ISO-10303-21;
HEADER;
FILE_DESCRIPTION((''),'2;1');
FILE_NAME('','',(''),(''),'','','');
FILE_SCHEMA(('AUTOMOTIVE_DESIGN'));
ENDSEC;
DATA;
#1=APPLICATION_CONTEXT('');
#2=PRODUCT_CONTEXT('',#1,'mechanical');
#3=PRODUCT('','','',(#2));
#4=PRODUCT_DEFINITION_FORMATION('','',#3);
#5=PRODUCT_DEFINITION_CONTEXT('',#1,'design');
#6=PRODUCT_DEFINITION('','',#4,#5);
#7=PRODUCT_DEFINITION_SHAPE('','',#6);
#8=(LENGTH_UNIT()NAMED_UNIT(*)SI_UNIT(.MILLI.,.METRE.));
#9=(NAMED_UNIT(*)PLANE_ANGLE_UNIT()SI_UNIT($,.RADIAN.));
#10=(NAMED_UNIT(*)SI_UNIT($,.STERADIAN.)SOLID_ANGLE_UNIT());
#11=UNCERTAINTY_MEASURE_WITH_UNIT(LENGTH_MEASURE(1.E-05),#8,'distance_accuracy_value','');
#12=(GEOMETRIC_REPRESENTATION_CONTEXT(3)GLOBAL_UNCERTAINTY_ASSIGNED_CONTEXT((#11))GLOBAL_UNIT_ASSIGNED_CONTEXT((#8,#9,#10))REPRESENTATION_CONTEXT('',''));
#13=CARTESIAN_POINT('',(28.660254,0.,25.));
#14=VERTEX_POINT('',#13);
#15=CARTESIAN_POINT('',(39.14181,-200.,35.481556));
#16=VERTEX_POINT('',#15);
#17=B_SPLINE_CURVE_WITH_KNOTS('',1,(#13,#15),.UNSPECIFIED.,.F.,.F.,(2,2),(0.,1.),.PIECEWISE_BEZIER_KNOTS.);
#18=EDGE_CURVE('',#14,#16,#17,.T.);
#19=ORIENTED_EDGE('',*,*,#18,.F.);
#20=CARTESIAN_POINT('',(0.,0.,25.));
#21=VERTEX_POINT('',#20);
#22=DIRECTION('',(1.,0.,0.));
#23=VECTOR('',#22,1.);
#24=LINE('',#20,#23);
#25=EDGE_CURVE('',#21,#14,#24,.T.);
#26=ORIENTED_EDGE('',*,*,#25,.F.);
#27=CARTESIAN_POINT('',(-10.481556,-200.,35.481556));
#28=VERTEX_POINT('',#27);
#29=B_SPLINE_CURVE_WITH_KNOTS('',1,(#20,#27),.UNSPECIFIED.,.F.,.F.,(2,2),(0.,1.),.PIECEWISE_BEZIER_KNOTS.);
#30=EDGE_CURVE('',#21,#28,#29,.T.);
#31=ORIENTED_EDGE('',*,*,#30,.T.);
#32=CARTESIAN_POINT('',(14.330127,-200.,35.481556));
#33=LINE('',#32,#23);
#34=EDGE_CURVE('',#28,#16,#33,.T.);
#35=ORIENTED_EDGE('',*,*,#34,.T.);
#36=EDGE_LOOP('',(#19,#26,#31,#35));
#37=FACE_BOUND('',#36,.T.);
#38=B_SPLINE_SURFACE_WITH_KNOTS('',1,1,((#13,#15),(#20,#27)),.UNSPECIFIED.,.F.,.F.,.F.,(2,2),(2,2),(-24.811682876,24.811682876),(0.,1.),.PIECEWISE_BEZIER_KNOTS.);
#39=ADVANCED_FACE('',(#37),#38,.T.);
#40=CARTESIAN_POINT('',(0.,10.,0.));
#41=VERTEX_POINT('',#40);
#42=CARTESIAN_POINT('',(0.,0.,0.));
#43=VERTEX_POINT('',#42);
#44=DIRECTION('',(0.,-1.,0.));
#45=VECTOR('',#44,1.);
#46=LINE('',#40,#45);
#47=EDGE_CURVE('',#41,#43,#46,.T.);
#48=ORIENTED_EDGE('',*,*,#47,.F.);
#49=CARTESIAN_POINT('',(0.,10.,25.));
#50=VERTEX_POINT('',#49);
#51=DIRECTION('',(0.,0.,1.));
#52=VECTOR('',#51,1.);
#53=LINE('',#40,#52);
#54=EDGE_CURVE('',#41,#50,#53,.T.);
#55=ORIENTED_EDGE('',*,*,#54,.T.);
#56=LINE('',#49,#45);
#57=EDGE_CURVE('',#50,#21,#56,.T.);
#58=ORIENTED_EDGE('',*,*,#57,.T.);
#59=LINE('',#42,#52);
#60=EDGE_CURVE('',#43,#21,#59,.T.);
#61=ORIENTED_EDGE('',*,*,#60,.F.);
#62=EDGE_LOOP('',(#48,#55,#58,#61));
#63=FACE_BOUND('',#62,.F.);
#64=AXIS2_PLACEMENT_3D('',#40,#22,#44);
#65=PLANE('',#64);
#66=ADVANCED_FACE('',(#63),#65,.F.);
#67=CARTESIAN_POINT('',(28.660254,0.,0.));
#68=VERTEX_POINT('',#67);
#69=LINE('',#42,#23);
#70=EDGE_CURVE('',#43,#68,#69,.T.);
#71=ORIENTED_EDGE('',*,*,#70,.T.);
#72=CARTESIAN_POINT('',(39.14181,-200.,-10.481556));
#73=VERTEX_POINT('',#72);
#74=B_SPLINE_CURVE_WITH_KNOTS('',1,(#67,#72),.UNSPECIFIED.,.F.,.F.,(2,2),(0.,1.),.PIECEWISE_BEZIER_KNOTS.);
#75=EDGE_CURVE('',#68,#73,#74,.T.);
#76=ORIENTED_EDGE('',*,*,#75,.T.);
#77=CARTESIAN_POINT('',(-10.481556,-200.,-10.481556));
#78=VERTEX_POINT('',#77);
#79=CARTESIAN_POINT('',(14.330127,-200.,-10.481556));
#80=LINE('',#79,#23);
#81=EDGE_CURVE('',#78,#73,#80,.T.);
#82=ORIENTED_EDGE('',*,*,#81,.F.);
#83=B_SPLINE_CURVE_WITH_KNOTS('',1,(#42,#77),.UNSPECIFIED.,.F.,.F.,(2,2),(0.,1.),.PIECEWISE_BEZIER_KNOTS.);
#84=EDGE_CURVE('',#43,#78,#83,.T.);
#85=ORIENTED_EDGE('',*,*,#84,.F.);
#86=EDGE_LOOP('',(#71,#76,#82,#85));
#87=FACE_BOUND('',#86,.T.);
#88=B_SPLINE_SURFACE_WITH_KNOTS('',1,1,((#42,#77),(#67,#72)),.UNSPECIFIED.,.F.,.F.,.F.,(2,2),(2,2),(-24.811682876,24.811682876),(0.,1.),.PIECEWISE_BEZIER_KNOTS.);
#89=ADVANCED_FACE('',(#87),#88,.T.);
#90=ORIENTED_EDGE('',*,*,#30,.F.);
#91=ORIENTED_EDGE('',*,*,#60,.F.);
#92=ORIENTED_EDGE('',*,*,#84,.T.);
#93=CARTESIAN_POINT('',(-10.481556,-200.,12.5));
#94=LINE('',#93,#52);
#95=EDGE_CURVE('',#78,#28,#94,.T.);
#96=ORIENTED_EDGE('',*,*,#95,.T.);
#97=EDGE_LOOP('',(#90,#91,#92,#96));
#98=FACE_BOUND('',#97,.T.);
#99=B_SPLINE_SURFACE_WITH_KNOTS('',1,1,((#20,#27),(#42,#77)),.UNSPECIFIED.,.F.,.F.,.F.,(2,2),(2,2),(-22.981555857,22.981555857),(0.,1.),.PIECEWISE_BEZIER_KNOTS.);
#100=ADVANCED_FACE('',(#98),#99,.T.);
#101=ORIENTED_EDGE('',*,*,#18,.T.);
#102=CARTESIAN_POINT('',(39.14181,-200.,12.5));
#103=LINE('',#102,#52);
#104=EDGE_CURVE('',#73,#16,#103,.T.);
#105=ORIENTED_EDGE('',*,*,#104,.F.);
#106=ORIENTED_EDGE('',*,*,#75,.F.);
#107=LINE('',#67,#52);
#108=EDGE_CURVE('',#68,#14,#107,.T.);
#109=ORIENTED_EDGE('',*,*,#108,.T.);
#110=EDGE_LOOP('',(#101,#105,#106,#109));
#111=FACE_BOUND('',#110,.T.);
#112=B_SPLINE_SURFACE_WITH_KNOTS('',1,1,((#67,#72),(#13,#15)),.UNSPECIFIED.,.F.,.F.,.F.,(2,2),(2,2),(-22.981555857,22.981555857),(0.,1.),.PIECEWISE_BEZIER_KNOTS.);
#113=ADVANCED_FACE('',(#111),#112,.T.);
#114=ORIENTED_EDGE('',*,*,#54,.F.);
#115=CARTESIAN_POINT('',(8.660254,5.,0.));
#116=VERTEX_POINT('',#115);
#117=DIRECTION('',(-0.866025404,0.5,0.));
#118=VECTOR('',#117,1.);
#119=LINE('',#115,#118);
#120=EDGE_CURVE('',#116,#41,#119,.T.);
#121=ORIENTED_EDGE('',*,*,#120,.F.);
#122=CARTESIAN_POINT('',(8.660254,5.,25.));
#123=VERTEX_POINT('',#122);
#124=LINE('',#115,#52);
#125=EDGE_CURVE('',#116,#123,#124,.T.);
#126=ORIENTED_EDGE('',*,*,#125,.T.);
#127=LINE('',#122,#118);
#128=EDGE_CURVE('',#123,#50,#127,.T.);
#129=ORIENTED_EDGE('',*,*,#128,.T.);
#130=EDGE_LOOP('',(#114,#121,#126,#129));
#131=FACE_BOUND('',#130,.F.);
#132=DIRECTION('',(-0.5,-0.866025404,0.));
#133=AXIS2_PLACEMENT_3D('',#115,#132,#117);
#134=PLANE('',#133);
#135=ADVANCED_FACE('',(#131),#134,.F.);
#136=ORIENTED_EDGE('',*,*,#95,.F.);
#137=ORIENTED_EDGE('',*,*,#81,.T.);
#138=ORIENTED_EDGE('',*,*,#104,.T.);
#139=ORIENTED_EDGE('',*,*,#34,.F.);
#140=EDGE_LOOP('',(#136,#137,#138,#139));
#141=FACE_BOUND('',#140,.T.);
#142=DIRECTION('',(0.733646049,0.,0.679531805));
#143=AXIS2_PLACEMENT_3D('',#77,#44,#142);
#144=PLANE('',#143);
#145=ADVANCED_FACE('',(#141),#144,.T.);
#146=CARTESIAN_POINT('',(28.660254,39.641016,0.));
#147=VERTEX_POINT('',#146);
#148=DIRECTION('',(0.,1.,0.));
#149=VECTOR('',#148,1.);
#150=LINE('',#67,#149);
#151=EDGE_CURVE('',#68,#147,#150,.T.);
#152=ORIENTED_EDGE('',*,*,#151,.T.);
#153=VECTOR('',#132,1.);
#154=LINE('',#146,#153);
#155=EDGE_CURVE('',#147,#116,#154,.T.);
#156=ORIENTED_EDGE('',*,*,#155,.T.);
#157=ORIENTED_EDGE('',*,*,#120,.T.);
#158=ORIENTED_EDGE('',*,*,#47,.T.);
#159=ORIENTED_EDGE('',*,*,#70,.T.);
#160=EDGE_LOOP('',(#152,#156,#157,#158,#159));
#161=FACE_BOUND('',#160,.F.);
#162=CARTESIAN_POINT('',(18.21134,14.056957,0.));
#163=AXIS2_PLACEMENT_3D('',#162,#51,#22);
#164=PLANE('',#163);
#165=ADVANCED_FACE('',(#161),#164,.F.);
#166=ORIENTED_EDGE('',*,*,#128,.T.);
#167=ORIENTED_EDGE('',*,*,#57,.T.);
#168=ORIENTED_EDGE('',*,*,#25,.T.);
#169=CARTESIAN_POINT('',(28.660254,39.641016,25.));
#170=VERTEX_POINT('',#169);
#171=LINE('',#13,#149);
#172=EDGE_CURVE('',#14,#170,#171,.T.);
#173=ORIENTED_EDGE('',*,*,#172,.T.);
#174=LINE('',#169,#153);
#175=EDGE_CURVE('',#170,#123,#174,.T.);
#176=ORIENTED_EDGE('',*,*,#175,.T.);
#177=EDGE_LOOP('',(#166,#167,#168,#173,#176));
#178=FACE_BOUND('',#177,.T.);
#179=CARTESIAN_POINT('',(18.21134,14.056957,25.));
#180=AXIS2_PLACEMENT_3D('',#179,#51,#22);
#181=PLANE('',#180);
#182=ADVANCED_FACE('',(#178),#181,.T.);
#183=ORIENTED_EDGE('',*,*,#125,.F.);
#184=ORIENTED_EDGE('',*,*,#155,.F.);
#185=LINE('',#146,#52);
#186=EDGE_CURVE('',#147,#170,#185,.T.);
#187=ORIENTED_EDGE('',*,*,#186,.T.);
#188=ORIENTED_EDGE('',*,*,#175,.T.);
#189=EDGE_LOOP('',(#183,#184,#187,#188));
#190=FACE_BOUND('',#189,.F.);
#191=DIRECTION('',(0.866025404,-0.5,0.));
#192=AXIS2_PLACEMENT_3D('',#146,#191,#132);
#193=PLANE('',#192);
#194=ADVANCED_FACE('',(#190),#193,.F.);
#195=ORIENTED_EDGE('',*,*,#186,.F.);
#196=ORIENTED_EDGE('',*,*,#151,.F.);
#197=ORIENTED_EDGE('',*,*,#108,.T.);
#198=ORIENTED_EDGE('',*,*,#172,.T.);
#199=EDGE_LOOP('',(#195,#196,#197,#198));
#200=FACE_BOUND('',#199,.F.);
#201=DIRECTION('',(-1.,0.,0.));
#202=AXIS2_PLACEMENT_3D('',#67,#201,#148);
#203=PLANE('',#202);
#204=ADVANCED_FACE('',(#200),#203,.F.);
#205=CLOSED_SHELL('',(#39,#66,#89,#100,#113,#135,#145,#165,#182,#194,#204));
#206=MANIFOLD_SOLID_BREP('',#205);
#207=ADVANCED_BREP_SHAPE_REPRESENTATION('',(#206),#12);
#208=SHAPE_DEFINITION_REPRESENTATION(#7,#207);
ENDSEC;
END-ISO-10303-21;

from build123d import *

# Parameters (mm, degrees)
F1_DEPTH = 25
F2_W     = 28.6602540378
F2_H     = 25
F3_DEPTH = 200
F3_TAPER = -3


with BuildPart() as f1:
    # F0 (on Top) → F1 (new body)
    with BuildSketch(Plane.XY):
        Polygon((0, 10), (0, 0), (28.6602540378, 0), (28.6602540378, 39.6410161514), (8.6602540378, 5), align=None)
    extrude(amount=F1_DEPTH)

    # F2 (on face) → F3 (join)
    with BuildSketch(Plane.XZ):
        with Locations((14.3301270189, 12.5)):
            Rectangle(F2_W, F2_H)
    extrude(amount=F3_DEPTH, taper=F3_TAPER)


solid = f1.part
